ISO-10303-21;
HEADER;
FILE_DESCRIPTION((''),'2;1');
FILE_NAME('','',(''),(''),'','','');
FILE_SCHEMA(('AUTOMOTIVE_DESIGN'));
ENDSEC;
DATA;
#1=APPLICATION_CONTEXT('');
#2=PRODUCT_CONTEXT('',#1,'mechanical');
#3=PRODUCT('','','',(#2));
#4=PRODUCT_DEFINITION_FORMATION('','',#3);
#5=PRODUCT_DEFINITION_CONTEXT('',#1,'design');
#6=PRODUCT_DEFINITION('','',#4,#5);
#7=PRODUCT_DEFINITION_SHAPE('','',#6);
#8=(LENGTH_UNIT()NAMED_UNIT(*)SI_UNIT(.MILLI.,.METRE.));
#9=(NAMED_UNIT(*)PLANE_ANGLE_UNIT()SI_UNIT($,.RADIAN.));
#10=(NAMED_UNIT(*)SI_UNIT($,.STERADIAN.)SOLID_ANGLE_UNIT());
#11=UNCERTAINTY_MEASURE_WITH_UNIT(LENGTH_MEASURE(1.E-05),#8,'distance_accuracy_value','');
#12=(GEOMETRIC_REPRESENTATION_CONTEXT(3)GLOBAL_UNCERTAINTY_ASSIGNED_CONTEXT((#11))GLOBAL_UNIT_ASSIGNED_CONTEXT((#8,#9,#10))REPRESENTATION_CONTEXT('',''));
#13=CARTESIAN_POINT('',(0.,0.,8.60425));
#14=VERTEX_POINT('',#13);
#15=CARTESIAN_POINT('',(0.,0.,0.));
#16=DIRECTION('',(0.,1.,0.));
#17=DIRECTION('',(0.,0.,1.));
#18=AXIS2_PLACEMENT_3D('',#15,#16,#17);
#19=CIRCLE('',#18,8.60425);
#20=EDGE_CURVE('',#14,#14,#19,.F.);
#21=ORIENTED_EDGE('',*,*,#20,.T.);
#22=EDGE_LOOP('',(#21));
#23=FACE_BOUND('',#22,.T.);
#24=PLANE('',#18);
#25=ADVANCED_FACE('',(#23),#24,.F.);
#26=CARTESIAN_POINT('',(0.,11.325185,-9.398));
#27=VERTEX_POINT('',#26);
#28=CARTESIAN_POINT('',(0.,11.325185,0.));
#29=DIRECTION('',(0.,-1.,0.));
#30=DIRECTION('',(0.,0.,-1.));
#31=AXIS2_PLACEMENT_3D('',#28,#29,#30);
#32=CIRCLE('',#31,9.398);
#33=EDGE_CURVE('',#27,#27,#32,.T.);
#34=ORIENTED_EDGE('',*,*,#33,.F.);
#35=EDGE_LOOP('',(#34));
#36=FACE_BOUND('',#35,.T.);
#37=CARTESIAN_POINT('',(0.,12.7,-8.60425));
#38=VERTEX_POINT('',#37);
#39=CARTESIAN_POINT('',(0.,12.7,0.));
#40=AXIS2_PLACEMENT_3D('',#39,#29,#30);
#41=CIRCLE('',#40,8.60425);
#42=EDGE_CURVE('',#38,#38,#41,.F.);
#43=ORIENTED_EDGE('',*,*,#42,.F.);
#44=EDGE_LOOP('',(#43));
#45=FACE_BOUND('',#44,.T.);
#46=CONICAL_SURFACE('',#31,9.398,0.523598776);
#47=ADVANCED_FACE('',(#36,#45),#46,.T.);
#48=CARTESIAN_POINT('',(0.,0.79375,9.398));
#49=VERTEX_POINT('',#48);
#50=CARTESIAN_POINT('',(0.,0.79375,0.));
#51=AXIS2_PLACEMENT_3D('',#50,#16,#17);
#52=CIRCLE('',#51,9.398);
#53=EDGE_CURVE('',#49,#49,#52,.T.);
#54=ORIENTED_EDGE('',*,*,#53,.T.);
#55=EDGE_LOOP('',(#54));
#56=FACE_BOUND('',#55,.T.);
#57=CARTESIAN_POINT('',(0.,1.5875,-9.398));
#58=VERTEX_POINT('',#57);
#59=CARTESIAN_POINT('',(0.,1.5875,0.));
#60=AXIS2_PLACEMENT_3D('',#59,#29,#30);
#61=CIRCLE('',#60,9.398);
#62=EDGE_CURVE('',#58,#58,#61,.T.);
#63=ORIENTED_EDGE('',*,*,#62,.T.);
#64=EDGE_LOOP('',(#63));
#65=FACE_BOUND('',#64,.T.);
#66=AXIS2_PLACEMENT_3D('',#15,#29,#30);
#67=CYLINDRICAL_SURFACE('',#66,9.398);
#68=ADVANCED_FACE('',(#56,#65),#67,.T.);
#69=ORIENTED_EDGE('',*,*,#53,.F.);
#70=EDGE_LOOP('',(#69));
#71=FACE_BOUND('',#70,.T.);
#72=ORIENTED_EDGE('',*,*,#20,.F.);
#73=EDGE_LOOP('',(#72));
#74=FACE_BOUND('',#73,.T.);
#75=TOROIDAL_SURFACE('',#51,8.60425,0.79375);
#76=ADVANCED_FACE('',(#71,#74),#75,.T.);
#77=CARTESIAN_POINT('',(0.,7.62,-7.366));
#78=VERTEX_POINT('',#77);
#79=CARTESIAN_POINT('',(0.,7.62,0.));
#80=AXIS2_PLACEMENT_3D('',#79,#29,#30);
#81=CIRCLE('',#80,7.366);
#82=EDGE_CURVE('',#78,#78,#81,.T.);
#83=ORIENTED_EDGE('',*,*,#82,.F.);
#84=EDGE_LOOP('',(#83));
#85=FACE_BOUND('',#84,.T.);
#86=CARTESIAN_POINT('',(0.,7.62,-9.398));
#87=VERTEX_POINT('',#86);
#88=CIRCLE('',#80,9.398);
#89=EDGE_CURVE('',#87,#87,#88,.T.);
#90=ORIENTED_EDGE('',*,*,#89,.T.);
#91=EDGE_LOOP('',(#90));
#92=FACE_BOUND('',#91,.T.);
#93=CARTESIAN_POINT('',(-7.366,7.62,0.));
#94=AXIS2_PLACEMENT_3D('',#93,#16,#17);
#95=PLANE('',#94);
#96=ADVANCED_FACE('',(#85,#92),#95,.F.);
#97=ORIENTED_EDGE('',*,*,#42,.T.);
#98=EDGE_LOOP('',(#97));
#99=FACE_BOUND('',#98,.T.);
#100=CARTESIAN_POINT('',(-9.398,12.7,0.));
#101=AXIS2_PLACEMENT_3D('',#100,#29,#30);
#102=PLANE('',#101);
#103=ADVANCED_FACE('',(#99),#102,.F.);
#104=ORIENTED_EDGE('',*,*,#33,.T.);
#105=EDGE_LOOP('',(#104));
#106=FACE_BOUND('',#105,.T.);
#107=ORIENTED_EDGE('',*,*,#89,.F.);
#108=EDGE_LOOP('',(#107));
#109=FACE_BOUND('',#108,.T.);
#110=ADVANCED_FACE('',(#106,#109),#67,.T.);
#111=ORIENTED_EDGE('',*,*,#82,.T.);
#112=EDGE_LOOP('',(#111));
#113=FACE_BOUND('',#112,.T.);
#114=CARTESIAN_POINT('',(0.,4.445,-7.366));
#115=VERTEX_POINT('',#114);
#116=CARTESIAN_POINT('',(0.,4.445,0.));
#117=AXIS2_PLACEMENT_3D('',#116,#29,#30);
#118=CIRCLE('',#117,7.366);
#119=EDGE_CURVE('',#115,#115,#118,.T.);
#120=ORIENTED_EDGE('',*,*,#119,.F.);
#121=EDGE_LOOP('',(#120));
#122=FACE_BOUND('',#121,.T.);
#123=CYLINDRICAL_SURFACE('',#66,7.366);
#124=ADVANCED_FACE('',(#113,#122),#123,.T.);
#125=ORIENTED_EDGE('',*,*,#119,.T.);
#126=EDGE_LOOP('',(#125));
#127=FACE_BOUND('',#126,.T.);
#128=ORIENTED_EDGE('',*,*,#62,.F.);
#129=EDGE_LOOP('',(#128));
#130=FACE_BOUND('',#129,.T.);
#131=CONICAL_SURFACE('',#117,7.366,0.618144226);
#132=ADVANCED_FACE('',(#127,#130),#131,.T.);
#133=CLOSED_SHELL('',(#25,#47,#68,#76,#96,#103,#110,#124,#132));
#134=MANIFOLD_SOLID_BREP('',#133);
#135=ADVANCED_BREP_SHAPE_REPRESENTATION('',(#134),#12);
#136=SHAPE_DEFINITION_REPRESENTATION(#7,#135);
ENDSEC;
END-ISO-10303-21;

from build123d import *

# Parameters (mm, degrees)
FILLET1_R      = 0.79375
CHAMFER1_SIZE  = 0.79375
CHAMFER1_SIZE2 = 1.374815329


with BuildPart() as part:
    # Sketch1 → Revolve1 (revolve)
    with BuildSketch(Plane.XY):
        Polygon((0, 0), (-9.398, 0), (-9.398, 1.5875), (-7.366, 4.445), (-7.366, 7.62), (-9.398, 7.62), (-9.398, 12.7), (0, 12.7), align=None)
    revolve(axis=Axis((0, 0, 0), (0, 1, 0)))

    # Fillet1
    fillet1_edges = [part.edges().sort_by_distance(p)[0] for p in [
        (9.398, 0, 0),
    ]]
    fillet(fillet1_edges, radius=FILLET1_R)

    # Chamfer1
    chamfer1_edges = [part.edges().sort_by_distance(p)[0] for p in [
        (9.398, 12.7, 0),
    ]]
    chamfer1_side = [part.faces().sort_by_distance(p)[0] for p in [
        (0, 12.7, 0),
    ]]
    chamfer(chamfer1_edges, length=CHAMFER1_SIZE, length2=CHAMFER1_SIZE2, reference=chamfer1_side[0])


solid = part.part
